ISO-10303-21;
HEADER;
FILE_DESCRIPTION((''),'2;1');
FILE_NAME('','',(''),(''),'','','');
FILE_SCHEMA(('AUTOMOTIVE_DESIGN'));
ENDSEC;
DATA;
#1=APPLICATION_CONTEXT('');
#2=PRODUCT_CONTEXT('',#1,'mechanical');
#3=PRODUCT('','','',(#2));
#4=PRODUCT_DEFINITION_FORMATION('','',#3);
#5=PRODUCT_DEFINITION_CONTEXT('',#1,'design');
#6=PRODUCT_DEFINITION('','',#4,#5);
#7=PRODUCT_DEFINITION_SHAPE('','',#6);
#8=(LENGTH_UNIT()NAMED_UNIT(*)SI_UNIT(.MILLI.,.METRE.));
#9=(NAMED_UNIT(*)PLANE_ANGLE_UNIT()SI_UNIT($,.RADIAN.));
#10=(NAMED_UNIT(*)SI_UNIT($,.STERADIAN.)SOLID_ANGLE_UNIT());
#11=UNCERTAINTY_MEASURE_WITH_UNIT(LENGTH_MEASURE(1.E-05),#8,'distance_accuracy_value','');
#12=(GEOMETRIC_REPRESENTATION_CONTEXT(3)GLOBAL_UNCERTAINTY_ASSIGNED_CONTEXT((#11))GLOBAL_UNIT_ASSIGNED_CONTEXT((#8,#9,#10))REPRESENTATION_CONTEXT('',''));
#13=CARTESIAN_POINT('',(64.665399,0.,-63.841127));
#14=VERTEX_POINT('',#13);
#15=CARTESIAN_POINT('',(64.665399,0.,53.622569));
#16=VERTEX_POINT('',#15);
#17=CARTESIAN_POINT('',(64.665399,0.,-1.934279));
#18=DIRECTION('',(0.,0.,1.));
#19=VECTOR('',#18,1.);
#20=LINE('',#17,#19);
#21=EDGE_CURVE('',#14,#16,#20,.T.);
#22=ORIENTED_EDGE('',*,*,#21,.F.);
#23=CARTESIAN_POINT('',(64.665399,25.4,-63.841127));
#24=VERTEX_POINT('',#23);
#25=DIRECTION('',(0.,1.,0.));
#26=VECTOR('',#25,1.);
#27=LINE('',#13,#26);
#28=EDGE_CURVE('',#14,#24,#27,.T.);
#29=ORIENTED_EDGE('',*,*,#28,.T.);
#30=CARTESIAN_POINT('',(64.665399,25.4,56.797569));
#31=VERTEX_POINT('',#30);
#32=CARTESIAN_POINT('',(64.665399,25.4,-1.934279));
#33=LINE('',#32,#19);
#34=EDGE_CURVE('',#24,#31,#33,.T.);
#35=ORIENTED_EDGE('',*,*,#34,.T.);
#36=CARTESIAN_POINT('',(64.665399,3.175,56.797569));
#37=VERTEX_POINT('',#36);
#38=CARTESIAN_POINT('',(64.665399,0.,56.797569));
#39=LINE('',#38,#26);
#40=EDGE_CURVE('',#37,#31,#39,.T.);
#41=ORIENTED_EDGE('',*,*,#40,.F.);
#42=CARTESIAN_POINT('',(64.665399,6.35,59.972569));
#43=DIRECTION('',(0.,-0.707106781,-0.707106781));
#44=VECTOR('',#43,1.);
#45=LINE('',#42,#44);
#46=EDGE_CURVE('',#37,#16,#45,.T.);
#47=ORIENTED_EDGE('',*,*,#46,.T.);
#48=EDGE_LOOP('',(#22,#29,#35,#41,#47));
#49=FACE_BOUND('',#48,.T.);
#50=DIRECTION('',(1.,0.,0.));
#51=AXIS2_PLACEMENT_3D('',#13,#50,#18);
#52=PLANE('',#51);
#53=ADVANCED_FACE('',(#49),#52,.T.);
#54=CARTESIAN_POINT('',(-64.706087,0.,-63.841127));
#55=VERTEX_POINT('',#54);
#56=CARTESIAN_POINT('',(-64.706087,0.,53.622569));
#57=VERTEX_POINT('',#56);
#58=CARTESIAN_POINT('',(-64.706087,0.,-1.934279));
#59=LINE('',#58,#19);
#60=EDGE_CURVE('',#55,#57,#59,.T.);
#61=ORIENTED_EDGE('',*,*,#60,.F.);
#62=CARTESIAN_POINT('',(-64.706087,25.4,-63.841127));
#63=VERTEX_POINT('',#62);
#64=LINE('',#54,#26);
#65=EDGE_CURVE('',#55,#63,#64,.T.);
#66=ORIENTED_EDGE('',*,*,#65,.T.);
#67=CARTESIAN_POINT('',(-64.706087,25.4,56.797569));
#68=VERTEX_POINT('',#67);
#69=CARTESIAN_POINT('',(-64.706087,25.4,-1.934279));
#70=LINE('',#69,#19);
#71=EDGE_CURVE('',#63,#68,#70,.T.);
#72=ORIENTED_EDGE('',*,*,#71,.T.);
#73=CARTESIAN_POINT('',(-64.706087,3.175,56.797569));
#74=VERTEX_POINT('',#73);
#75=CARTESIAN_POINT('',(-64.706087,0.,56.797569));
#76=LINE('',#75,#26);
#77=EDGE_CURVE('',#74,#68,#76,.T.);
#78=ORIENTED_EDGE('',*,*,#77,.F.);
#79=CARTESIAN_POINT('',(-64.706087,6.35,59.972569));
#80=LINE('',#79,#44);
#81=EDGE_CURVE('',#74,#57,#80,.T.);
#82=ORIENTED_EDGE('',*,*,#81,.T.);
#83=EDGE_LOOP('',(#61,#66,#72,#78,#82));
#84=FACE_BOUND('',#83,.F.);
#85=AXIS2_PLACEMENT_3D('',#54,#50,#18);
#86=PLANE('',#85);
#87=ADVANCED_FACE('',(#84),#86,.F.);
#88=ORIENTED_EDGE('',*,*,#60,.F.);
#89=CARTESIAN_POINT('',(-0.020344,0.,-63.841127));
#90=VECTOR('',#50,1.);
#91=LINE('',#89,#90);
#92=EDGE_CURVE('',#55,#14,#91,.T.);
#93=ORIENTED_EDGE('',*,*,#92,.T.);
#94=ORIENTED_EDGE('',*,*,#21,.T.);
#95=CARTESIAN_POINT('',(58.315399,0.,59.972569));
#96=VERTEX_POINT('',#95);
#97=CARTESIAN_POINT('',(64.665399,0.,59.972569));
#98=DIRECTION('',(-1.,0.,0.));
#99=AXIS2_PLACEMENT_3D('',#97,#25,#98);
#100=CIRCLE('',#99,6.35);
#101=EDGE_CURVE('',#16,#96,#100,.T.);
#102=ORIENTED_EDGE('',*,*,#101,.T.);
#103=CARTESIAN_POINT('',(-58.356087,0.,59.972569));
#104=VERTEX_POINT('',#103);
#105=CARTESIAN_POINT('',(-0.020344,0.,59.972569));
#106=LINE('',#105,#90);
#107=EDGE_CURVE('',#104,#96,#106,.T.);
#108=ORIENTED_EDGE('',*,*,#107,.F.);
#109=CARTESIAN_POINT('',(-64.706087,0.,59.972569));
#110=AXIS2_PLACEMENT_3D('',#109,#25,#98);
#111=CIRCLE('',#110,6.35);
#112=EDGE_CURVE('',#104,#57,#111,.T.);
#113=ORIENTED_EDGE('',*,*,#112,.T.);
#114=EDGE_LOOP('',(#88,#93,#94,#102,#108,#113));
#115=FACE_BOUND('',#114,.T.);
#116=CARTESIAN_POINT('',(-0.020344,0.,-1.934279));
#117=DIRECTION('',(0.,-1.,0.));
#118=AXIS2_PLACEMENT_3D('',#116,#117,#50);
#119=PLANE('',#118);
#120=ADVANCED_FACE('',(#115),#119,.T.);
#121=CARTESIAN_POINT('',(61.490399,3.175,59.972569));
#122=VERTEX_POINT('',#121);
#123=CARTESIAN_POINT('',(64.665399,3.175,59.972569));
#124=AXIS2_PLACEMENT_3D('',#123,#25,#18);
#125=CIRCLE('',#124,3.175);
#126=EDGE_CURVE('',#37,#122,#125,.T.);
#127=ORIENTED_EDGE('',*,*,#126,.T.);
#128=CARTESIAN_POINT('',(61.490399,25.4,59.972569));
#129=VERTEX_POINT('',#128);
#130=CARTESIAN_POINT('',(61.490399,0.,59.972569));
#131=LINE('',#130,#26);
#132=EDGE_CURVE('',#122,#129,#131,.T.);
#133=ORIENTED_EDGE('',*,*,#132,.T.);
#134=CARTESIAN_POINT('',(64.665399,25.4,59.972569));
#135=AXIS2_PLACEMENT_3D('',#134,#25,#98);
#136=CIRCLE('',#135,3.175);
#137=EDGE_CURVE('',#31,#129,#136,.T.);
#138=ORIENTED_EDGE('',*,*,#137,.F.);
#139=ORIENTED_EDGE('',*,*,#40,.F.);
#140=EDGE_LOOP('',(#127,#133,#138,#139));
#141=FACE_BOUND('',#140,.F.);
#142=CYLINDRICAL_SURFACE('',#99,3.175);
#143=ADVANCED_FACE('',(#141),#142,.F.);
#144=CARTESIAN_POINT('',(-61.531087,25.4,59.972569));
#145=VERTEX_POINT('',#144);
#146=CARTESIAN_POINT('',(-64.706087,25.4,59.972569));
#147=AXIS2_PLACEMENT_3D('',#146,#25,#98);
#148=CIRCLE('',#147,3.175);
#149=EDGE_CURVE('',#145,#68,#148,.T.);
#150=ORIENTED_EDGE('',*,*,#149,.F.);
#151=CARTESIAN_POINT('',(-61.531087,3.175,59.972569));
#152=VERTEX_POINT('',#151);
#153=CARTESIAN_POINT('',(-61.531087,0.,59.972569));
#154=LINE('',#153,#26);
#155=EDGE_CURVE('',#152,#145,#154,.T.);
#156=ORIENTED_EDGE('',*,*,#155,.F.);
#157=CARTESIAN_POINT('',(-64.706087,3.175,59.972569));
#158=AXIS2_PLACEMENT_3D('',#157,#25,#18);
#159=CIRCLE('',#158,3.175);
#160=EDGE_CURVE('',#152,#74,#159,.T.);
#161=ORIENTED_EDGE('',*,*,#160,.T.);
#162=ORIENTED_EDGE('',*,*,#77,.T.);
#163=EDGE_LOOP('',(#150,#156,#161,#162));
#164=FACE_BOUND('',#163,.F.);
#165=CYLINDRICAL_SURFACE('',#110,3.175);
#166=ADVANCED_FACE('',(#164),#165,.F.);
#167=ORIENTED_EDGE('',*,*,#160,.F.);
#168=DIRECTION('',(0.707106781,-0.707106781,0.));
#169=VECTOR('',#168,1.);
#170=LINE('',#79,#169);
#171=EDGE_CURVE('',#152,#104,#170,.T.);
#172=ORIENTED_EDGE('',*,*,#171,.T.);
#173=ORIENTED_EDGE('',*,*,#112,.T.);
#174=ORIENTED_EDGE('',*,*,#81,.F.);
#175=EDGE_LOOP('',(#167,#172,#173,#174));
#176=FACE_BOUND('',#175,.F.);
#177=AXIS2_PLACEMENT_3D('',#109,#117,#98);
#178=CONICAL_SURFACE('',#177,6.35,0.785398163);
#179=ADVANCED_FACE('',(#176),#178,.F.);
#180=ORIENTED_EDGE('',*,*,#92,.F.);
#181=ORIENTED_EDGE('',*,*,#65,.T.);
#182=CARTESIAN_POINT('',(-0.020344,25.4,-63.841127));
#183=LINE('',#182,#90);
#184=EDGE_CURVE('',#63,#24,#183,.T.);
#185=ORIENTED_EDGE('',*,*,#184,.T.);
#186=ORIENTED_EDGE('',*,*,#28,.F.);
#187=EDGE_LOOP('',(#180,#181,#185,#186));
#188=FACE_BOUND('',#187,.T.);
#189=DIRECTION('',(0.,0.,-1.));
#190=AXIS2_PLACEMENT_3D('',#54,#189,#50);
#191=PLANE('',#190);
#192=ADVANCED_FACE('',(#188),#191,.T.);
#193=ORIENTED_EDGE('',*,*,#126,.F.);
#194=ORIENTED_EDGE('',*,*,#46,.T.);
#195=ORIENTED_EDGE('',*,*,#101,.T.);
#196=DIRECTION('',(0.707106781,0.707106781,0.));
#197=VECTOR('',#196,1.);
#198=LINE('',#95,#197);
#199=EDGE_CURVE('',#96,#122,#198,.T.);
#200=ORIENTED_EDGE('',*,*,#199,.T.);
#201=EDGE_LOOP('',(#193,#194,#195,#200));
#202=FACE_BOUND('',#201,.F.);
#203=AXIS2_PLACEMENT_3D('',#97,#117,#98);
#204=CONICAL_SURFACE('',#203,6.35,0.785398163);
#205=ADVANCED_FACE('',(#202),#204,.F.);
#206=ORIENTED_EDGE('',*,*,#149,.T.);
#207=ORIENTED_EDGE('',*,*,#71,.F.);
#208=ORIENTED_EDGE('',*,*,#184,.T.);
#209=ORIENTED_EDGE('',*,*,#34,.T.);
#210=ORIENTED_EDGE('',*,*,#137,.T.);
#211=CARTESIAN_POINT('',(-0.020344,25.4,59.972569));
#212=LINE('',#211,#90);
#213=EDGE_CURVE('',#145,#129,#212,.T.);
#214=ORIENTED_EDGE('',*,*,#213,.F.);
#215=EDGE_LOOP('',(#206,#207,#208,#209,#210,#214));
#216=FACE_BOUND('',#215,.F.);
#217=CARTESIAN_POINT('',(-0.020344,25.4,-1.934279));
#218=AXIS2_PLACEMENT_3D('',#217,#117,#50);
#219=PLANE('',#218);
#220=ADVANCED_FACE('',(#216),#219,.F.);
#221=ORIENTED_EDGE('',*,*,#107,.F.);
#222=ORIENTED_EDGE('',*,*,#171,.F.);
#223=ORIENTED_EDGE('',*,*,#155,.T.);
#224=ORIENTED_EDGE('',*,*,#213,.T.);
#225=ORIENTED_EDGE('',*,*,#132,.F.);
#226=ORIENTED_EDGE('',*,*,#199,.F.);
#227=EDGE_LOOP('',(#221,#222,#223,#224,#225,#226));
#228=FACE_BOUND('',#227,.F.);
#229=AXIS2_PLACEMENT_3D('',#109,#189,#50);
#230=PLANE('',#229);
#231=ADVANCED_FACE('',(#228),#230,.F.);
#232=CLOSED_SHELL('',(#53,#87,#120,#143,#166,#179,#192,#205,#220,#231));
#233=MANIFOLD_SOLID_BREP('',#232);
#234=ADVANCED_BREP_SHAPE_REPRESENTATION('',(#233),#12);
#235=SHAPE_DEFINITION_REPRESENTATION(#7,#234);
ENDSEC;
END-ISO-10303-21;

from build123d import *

# Parameters (mm, degrees)
F1_W           = 129.371486
F1_H           = 123.813696
F2_DEPTH       = 25.4
F3_D           = 6.35
F3_CSINK_D     = 12.7
F3_CSINK_ANGLE = 90


with BuildPart() as f2:
    # F1 (on face) → F2 (new body)
    with BuildSketch(Plane.XZ):
        with Locations((-0.020344, -1.934279)):
            Rectangle(F1_W, F1_H)
    extrude(amount=-F2_DEPTH)

    # F3 (through all)
    with Locations(Plane.XZ):
        with Locations((64.665399, 59.972569), (-64.706087, 59.972569)):
            CounterSinkHole(F3_D / 2, F3_CSINK_D / 2, counter_sink_angle=F3_CSINK_ANGLE)


solid = f2.part
